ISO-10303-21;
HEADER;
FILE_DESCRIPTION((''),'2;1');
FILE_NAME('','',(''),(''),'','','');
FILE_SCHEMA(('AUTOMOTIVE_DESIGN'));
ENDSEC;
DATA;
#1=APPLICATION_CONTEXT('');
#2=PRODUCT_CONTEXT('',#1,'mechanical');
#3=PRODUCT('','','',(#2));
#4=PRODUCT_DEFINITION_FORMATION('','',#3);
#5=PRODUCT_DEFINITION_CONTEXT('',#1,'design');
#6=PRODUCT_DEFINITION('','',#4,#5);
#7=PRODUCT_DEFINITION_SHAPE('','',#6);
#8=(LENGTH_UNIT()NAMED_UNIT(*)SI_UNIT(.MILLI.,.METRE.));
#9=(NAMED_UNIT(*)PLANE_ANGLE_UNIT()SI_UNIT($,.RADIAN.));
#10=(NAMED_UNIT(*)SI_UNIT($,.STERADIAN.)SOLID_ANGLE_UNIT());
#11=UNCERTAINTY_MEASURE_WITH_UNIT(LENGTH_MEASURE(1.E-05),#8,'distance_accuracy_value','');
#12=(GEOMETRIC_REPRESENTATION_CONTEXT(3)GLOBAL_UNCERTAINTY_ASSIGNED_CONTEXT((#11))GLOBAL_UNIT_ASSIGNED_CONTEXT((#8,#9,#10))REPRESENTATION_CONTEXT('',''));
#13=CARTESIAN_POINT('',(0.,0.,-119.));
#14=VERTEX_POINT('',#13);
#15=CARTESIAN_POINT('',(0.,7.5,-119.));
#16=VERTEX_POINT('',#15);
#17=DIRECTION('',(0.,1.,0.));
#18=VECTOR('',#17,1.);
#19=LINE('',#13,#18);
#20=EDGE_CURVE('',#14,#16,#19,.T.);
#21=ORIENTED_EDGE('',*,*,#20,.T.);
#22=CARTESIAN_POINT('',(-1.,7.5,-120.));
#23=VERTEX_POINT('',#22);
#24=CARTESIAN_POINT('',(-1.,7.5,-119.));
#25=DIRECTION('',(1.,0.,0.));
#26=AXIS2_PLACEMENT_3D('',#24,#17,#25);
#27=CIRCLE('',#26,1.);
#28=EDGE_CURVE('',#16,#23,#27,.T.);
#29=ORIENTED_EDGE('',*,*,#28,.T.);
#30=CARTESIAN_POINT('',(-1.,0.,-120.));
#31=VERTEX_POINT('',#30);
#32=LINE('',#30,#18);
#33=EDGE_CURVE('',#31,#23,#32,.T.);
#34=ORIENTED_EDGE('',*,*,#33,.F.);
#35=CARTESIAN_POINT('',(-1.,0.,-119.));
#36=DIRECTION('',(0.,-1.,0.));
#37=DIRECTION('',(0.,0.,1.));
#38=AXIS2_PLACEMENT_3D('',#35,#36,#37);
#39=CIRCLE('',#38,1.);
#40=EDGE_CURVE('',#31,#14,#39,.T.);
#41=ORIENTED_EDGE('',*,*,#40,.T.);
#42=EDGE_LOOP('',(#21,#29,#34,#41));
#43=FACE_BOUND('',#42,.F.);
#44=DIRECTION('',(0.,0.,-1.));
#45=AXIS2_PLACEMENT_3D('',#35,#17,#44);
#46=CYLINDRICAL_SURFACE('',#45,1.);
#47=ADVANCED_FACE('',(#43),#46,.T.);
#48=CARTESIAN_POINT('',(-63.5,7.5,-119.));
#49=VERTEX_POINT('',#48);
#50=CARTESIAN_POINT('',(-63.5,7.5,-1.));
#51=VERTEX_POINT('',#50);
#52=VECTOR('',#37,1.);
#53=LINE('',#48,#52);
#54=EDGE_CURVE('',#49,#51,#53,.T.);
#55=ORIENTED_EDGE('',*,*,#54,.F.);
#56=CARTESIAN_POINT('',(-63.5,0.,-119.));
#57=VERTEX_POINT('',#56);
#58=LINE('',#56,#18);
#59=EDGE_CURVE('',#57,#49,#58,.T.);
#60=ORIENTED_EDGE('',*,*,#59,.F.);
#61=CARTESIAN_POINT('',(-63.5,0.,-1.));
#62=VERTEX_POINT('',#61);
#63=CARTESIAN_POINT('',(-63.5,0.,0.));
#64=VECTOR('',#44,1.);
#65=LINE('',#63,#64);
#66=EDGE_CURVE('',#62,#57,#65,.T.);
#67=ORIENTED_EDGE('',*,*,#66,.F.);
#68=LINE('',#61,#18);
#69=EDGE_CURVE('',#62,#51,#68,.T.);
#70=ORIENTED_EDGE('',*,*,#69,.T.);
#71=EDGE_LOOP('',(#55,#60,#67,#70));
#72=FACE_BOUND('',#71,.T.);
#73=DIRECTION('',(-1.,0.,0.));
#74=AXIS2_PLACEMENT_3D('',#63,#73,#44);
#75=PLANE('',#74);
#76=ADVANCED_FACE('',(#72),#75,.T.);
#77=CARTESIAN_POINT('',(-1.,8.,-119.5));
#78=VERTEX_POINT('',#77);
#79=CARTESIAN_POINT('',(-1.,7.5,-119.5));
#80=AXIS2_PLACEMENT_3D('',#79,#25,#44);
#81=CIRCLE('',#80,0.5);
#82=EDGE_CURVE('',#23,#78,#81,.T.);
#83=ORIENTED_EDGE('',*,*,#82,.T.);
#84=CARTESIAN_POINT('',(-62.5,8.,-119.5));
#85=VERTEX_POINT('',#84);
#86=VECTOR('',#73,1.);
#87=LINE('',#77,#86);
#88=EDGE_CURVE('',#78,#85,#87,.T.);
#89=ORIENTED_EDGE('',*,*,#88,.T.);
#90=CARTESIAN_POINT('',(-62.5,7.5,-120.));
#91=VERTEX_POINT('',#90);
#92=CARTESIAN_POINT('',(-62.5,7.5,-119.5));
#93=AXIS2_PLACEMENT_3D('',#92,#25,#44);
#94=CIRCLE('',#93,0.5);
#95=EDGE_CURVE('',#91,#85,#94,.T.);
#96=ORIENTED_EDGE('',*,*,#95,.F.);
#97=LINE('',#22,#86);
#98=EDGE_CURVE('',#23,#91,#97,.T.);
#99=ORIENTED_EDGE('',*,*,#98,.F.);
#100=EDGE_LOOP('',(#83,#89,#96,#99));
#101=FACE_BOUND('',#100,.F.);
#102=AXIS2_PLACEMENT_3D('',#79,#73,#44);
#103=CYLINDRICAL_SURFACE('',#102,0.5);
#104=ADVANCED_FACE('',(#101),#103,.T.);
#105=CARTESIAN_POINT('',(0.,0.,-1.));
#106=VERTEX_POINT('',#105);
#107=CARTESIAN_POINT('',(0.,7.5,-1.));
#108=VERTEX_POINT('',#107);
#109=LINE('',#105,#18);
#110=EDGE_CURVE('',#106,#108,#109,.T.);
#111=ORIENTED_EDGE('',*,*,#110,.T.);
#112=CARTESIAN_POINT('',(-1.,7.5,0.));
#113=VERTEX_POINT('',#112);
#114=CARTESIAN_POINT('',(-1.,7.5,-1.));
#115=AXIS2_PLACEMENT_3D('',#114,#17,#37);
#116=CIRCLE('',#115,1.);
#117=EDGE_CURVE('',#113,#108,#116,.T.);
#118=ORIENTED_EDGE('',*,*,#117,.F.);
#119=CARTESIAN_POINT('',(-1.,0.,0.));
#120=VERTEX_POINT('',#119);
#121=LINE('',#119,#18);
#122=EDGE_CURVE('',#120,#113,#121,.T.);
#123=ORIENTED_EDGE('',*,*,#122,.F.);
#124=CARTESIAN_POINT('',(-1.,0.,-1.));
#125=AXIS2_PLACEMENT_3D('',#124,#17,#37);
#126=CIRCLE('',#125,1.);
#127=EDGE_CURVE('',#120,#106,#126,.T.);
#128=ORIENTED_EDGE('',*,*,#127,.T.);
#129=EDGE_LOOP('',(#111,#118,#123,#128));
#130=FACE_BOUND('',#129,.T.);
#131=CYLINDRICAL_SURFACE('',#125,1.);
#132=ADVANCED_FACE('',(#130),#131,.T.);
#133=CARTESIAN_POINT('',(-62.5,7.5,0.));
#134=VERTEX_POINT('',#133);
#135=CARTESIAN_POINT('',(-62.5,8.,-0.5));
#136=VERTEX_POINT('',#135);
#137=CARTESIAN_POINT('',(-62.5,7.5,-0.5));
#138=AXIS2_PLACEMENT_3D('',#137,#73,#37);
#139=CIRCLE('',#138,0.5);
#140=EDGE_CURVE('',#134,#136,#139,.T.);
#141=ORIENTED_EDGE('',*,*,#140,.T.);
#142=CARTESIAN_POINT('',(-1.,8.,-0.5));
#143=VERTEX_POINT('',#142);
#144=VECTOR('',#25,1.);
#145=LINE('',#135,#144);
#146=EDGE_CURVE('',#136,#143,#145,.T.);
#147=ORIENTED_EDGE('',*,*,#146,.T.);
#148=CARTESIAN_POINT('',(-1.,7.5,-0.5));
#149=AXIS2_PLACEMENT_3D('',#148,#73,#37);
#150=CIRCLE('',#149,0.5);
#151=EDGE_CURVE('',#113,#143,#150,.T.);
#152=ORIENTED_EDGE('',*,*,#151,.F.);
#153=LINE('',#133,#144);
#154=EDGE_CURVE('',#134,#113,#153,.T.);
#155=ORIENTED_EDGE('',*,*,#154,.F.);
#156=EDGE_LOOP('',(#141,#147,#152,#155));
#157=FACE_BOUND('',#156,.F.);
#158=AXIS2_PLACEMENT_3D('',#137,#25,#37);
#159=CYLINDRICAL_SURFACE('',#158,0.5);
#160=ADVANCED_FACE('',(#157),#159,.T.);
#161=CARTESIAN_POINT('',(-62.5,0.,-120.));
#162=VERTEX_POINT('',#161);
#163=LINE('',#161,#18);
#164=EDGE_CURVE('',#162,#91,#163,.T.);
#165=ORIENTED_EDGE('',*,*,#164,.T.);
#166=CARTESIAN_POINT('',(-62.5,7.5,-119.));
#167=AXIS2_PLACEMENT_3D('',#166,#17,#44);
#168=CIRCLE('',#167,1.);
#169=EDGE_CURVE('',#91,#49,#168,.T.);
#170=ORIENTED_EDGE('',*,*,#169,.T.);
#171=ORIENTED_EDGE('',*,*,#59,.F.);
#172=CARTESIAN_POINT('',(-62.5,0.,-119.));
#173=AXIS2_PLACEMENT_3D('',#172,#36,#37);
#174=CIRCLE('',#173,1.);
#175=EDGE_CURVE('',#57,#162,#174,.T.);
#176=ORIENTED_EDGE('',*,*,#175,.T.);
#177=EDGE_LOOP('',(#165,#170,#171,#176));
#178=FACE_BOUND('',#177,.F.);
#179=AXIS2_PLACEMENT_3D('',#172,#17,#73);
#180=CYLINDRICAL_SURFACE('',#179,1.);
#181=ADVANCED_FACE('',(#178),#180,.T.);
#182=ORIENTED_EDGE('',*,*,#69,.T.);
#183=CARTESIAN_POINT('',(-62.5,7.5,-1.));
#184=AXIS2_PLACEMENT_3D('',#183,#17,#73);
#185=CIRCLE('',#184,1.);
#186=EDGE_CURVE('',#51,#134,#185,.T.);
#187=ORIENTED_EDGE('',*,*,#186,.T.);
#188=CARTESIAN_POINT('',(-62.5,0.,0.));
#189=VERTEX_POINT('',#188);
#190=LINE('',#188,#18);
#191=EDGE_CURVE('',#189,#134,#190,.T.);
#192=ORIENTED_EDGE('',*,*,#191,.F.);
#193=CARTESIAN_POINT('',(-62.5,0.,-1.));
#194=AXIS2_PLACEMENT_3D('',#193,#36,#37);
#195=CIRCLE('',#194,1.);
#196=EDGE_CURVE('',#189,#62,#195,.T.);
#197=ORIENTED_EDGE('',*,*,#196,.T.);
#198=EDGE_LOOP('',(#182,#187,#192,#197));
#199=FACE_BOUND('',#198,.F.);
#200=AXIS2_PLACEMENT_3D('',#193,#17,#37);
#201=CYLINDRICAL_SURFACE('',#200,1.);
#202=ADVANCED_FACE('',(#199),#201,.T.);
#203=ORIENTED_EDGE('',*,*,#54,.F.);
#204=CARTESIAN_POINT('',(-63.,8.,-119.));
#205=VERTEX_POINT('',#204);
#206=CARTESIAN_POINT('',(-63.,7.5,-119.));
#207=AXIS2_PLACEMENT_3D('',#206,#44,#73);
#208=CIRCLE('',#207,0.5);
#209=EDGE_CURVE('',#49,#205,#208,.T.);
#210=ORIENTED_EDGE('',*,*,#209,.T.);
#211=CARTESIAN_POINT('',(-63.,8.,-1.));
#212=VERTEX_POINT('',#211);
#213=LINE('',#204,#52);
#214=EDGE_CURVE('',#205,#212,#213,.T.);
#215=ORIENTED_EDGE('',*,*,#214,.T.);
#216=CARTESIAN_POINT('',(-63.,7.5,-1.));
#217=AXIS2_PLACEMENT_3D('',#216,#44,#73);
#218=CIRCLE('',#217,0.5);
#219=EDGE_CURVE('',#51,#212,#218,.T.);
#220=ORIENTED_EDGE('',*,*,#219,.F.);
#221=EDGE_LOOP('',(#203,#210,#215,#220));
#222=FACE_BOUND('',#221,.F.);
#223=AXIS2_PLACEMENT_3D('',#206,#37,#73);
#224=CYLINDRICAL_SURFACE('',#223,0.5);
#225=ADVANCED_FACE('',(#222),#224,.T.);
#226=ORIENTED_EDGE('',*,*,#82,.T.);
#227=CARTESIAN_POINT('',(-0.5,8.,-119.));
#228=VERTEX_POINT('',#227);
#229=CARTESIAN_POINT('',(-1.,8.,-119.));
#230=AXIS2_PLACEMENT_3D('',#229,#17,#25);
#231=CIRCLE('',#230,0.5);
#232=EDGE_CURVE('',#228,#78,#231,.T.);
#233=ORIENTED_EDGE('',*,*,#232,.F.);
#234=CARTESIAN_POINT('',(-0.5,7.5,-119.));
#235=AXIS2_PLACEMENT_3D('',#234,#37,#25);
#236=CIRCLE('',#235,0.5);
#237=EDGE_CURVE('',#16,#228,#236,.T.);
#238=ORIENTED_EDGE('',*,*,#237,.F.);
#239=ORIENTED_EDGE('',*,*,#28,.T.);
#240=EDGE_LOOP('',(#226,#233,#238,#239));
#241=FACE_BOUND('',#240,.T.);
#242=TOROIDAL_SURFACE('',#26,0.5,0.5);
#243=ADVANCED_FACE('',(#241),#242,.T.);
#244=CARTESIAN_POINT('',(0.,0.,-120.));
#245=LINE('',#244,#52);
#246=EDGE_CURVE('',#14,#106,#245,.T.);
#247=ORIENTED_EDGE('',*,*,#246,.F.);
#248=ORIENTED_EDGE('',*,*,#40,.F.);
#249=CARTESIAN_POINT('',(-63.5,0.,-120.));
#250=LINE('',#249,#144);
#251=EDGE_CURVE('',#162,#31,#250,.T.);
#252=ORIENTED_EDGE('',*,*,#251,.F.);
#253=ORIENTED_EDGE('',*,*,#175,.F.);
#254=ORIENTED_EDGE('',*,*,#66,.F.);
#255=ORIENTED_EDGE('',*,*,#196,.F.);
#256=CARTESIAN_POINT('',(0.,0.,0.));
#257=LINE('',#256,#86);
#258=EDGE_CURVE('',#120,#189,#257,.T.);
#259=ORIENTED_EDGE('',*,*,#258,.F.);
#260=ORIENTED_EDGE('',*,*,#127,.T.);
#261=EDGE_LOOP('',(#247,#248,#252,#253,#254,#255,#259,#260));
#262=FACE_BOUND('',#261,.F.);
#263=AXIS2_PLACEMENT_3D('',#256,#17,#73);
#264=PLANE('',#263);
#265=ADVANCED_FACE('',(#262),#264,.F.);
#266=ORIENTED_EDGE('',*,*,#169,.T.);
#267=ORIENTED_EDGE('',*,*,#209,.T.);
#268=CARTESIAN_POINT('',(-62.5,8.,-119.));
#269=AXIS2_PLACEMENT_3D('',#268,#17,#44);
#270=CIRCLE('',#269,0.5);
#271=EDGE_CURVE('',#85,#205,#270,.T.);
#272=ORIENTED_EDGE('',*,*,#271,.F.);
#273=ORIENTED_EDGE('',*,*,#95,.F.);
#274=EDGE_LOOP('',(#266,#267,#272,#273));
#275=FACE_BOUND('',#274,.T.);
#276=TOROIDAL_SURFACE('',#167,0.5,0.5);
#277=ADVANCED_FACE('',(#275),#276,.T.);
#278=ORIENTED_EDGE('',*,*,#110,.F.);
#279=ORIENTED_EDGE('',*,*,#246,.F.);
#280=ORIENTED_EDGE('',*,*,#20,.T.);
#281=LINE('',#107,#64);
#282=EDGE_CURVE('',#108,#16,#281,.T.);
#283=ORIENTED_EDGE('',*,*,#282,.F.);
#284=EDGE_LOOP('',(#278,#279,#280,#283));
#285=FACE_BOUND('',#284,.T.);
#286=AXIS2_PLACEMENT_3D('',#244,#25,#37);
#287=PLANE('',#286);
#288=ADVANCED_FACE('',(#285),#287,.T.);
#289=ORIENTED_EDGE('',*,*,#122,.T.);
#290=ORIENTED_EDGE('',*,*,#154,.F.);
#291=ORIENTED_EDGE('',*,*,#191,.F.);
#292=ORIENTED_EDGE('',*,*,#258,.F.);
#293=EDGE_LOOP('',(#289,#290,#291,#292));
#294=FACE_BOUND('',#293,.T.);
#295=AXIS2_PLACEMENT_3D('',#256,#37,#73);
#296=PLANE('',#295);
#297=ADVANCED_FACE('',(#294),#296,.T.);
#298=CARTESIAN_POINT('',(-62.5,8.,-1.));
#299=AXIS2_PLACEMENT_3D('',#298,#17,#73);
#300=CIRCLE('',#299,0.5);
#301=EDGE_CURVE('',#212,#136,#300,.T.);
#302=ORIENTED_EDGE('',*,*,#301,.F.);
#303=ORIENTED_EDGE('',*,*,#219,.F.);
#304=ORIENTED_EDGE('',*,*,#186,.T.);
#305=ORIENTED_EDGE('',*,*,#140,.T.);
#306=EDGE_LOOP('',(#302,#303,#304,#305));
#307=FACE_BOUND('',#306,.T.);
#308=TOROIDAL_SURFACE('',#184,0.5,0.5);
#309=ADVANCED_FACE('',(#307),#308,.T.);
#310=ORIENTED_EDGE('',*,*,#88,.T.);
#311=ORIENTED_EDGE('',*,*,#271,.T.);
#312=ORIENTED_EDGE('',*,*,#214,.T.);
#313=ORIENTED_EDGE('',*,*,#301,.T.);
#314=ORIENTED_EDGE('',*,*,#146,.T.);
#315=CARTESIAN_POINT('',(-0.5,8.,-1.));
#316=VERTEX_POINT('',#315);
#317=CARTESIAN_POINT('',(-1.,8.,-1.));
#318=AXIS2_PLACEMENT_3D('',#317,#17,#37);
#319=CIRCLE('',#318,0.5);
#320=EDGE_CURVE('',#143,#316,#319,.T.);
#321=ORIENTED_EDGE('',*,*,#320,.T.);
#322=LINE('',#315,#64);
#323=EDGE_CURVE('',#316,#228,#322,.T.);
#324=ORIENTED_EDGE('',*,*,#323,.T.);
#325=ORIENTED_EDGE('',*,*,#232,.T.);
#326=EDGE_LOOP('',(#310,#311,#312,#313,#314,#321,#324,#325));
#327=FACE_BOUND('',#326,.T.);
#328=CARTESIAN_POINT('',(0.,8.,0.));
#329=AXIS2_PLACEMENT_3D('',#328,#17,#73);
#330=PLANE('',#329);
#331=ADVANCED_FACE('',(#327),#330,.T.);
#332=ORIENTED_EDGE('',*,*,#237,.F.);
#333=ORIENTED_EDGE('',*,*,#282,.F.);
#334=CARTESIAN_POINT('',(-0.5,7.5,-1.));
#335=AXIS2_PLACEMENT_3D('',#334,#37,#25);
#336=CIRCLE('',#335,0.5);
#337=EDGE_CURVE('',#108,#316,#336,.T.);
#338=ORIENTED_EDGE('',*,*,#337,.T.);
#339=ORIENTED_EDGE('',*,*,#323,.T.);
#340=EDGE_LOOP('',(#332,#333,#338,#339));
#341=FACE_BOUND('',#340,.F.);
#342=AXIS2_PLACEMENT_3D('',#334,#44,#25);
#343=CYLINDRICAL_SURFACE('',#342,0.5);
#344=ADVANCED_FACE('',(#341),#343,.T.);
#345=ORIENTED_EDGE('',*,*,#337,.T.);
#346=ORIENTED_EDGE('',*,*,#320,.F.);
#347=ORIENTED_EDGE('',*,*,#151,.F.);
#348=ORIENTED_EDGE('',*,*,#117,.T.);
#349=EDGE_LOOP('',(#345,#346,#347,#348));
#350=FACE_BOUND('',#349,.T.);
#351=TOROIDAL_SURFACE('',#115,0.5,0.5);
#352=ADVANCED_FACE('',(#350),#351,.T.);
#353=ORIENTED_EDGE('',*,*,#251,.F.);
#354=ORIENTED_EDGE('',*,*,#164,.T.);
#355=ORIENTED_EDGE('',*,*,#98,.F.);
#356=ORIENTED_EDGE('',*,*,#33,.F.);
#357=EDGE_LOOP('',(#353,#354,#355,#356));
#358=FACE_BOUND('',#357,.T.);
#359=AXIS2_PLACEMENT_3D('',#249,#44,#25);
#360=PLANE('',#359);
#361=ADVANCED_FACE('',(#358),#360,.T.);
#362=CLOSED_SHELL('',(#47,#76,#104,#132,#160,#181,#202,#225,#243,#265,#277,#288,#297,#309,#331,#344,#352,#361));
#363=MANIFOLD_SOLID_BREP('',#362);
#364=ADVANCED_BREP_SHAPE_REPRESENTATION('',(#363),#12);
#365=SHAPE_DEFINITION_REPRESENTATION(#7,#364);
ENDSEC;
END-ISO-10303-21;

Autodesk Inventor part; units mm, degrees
ref_plane "YZ Plane" through (0, 0, 0) normal (1, 0, 0) x (0, 1, 0)
ref_plane "XZ Plane" through (0, 0, 0) normal (0, 1, 0) x (-1, 0, 0)
ref_plane "XY Plane" through (0, 0, 0) normal (0, 0, 1) x (1, 0, 0)
sketch "Sketch1" plane through (0, 0, 0) normal (0, 1, 0) x (-1, 0, 0)
  line L0 (0, 0) -> (63.5, 0)
  line L1 (63.5, 0) -> (63.5, -120)
  line L2 (63.5, -120) -> (0, -120)
  line L3 (0, -120) -> (0, 0)
  dimension "d0" = 63.5
  dimension "d1" = 120
extrude "Extrusion1" add sketch "Sketch1" along normal blind 8
fillet "Fillet1" radius 1 4 edges at (0, 4, 0) (-63.5, 4, 0) (-63.5, 4, -120) (0, 4, -120)
fillet "Fillet2" radius 0.5 8 edges at (-0.2929, 8, -0.2929) (0, 8, -60) (-0.2929, 8, -119.7071) (-31.75, 8, -120) (-63.2071, 8, -119.7071) (-63.5, 8, -60) (-63.2071, 8, -0.2929) (-31.75, 8, 0)
properties part number "BMS"
